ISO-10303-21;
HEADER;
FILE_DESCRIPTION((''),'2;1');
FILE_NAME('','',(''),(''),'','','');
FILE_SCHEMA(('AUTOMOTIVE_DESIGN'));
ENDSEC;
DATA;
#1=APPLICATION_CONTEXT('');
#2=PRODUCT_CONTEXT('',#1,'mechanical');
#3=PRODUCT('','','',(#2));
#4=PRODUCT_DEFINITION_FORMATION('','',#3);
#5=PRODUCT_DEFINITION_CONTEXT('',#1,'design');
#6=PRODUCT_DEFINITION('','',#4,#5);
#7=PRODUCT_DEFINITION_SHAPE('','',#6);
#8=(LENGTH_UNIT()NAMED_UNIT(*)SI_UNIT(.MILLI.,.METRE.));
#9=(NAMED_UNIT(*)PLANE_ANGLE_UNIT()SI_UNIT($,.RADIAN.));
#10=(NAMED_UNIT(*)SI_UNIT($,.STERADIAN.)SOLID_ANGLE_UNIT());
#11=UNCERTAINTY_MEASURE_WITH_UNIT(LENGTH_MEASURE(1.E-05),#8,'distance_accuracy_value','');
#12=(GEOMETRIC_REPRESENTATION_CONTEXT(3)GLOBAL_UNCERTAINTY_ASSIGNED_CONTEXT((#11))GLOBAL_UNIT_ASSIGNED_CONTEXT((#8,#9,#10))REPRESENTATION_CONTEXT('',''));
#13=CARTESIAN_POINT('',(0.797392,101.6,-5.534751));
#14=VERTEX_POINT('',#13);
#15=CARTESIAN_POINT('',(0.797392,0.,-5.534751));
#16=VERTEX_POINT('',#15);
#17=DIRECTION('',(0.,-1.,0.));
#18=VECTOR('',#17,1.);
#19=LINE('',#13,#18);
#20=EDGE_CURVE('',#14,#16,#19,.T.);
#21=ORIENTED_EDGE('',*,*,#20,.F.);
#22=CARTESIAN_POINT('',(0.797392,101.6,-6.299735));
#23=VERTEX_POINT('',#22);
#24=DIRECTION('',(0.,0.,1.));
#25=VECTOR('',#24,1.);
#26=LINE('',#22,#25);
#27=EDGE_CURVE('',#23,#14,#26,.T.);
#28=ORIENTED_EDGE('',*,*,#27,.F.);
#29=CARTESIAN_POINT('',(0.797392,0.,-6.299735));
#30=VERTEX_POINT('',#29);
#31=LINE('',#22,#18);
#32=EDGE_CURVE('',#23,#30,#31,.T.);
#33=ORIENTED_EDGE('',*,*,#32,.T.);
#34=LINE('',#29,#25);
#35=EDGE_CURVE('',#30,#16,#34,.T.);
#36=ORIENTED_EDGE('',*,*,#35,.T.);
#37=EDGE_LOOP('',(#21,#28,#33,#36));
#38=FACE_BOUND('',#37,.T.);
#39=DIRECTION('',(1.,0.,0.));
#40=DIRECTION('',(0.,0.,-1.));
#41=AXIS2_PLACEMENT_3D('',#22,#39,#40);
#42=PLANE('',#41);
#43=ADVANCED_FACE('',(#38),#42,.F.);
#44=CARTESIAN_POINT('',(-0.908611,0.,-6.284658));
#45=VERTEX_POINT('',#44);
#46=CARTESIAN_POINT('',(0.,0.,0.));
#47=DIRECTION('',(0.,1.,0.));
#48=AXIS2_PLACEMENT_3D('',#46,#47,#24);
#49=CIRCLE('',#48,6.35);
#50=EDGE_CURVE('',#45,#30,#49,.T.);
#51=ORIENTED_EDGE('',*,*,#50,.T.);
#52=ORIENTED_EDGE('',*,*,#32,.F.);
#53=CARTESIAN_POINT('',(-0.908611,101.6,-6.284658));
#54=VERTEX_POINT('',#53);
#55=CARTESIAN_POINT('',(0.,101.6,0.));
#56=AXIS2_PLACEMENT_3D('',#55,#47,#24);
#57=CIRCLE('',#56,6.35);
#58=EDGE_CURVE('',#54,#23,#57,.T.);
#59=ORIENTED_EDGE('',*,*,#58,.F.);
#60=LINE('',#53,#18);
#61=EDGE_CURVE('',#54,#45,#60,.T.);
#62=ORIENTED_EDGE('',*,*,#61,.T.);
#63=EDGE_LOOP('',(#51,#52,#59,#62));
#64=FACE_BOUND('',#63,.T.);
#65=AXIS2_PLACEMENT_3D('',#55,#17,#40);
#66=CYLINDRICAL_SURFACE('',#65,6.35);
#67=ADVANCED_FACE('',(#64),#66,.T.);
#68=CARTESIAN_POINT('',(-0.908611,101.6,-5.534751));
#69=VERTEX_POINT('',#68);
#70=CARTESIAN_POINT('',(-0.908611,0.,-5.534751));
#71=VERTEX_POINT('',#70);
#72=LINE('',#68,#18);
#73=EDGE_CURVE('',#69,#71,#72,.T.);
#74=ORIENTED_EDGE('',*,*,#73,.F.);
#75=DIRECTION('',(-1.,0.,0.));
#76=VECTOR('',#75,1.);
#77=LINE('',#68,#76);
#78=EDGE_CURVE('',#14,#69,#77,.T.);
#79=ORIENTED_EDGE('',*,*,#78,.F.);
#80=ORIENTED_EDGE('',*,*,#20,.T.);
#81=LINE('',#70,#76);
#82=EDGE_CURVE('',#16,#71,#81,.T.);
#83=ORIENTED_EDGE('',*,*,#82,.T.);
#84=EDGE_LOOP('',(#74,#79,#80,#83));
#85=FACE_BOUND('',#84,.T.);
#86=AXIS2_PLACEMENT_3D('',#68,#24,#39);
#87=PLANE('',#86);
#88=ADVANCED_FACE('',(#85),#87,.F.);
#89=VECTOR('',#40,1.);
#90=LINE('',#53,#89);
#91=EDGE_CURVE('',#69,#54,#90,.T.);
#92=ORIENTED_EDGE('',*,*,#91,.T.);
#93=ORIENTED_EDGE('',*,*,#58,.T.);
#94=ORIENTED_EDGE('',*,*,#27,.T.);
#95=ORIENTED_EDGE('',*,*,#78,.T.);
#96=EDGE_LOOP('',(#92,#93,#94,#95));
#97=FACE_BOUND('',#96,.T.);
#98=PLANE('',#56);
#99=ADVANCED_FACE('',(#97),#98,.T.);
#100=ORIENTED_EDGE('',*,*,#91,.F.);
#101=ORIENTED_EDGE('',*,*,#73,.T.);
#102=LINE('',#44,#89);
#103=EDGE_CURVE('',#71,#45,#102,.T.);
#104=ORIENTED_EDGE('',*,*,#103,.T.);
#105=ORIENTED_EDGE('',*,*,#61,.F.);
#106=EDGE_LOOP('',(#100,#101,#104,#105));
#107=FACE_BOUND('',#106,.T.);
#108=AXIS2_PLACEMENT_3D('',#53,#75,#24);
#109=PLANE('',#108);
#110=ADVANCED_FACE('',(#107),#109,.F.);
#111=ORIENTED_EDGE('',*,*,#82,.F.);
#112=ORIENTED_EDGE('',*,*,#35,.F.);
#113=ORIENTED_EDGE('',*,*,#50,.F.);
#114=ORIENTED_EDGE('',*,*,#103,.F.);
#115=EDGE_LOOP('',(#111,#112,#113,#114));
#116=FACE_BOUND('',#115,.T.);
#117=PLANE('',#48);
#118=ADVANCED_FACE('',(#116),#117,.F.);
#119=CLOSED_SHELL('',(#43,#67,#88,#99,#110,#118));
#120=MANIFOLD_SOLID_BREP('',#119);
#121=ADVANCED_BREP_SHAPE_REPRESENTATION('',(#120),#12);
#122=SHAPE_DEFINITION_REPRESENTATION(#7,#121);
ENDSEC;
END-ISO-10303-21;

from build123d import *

# Parameters (mm, degrees)
BOSS_EXTRUDE1_DEPTH = 101.6


with BuildPart() as part:
    # Sketch1 → Boss-Extrude1 (new body)
    with BuildSketch(Plane(origin=(0, 0, 0), x_dir=(1, 0, 0), z_dir=(0, 1, 0))):
        with BuildLine():
            Line((-0.908611122, 6.284657972), (-0.908611122, 5.534751173))
            Line((-0.908611122, 5.534751173), (0.797392484, 5.534751173))
            Line((0.797392484, 5.534751173), (0.797392484, 6.29973533))
            ThreePointArc((0.797392484, 6.29973533), (0.056117983, -6.349752024), (-0.908611122, 6.284657972))
        make_face()
    extrude(amount=BOSS_EXTRUDE1_DEPTH)


solid = part.part
